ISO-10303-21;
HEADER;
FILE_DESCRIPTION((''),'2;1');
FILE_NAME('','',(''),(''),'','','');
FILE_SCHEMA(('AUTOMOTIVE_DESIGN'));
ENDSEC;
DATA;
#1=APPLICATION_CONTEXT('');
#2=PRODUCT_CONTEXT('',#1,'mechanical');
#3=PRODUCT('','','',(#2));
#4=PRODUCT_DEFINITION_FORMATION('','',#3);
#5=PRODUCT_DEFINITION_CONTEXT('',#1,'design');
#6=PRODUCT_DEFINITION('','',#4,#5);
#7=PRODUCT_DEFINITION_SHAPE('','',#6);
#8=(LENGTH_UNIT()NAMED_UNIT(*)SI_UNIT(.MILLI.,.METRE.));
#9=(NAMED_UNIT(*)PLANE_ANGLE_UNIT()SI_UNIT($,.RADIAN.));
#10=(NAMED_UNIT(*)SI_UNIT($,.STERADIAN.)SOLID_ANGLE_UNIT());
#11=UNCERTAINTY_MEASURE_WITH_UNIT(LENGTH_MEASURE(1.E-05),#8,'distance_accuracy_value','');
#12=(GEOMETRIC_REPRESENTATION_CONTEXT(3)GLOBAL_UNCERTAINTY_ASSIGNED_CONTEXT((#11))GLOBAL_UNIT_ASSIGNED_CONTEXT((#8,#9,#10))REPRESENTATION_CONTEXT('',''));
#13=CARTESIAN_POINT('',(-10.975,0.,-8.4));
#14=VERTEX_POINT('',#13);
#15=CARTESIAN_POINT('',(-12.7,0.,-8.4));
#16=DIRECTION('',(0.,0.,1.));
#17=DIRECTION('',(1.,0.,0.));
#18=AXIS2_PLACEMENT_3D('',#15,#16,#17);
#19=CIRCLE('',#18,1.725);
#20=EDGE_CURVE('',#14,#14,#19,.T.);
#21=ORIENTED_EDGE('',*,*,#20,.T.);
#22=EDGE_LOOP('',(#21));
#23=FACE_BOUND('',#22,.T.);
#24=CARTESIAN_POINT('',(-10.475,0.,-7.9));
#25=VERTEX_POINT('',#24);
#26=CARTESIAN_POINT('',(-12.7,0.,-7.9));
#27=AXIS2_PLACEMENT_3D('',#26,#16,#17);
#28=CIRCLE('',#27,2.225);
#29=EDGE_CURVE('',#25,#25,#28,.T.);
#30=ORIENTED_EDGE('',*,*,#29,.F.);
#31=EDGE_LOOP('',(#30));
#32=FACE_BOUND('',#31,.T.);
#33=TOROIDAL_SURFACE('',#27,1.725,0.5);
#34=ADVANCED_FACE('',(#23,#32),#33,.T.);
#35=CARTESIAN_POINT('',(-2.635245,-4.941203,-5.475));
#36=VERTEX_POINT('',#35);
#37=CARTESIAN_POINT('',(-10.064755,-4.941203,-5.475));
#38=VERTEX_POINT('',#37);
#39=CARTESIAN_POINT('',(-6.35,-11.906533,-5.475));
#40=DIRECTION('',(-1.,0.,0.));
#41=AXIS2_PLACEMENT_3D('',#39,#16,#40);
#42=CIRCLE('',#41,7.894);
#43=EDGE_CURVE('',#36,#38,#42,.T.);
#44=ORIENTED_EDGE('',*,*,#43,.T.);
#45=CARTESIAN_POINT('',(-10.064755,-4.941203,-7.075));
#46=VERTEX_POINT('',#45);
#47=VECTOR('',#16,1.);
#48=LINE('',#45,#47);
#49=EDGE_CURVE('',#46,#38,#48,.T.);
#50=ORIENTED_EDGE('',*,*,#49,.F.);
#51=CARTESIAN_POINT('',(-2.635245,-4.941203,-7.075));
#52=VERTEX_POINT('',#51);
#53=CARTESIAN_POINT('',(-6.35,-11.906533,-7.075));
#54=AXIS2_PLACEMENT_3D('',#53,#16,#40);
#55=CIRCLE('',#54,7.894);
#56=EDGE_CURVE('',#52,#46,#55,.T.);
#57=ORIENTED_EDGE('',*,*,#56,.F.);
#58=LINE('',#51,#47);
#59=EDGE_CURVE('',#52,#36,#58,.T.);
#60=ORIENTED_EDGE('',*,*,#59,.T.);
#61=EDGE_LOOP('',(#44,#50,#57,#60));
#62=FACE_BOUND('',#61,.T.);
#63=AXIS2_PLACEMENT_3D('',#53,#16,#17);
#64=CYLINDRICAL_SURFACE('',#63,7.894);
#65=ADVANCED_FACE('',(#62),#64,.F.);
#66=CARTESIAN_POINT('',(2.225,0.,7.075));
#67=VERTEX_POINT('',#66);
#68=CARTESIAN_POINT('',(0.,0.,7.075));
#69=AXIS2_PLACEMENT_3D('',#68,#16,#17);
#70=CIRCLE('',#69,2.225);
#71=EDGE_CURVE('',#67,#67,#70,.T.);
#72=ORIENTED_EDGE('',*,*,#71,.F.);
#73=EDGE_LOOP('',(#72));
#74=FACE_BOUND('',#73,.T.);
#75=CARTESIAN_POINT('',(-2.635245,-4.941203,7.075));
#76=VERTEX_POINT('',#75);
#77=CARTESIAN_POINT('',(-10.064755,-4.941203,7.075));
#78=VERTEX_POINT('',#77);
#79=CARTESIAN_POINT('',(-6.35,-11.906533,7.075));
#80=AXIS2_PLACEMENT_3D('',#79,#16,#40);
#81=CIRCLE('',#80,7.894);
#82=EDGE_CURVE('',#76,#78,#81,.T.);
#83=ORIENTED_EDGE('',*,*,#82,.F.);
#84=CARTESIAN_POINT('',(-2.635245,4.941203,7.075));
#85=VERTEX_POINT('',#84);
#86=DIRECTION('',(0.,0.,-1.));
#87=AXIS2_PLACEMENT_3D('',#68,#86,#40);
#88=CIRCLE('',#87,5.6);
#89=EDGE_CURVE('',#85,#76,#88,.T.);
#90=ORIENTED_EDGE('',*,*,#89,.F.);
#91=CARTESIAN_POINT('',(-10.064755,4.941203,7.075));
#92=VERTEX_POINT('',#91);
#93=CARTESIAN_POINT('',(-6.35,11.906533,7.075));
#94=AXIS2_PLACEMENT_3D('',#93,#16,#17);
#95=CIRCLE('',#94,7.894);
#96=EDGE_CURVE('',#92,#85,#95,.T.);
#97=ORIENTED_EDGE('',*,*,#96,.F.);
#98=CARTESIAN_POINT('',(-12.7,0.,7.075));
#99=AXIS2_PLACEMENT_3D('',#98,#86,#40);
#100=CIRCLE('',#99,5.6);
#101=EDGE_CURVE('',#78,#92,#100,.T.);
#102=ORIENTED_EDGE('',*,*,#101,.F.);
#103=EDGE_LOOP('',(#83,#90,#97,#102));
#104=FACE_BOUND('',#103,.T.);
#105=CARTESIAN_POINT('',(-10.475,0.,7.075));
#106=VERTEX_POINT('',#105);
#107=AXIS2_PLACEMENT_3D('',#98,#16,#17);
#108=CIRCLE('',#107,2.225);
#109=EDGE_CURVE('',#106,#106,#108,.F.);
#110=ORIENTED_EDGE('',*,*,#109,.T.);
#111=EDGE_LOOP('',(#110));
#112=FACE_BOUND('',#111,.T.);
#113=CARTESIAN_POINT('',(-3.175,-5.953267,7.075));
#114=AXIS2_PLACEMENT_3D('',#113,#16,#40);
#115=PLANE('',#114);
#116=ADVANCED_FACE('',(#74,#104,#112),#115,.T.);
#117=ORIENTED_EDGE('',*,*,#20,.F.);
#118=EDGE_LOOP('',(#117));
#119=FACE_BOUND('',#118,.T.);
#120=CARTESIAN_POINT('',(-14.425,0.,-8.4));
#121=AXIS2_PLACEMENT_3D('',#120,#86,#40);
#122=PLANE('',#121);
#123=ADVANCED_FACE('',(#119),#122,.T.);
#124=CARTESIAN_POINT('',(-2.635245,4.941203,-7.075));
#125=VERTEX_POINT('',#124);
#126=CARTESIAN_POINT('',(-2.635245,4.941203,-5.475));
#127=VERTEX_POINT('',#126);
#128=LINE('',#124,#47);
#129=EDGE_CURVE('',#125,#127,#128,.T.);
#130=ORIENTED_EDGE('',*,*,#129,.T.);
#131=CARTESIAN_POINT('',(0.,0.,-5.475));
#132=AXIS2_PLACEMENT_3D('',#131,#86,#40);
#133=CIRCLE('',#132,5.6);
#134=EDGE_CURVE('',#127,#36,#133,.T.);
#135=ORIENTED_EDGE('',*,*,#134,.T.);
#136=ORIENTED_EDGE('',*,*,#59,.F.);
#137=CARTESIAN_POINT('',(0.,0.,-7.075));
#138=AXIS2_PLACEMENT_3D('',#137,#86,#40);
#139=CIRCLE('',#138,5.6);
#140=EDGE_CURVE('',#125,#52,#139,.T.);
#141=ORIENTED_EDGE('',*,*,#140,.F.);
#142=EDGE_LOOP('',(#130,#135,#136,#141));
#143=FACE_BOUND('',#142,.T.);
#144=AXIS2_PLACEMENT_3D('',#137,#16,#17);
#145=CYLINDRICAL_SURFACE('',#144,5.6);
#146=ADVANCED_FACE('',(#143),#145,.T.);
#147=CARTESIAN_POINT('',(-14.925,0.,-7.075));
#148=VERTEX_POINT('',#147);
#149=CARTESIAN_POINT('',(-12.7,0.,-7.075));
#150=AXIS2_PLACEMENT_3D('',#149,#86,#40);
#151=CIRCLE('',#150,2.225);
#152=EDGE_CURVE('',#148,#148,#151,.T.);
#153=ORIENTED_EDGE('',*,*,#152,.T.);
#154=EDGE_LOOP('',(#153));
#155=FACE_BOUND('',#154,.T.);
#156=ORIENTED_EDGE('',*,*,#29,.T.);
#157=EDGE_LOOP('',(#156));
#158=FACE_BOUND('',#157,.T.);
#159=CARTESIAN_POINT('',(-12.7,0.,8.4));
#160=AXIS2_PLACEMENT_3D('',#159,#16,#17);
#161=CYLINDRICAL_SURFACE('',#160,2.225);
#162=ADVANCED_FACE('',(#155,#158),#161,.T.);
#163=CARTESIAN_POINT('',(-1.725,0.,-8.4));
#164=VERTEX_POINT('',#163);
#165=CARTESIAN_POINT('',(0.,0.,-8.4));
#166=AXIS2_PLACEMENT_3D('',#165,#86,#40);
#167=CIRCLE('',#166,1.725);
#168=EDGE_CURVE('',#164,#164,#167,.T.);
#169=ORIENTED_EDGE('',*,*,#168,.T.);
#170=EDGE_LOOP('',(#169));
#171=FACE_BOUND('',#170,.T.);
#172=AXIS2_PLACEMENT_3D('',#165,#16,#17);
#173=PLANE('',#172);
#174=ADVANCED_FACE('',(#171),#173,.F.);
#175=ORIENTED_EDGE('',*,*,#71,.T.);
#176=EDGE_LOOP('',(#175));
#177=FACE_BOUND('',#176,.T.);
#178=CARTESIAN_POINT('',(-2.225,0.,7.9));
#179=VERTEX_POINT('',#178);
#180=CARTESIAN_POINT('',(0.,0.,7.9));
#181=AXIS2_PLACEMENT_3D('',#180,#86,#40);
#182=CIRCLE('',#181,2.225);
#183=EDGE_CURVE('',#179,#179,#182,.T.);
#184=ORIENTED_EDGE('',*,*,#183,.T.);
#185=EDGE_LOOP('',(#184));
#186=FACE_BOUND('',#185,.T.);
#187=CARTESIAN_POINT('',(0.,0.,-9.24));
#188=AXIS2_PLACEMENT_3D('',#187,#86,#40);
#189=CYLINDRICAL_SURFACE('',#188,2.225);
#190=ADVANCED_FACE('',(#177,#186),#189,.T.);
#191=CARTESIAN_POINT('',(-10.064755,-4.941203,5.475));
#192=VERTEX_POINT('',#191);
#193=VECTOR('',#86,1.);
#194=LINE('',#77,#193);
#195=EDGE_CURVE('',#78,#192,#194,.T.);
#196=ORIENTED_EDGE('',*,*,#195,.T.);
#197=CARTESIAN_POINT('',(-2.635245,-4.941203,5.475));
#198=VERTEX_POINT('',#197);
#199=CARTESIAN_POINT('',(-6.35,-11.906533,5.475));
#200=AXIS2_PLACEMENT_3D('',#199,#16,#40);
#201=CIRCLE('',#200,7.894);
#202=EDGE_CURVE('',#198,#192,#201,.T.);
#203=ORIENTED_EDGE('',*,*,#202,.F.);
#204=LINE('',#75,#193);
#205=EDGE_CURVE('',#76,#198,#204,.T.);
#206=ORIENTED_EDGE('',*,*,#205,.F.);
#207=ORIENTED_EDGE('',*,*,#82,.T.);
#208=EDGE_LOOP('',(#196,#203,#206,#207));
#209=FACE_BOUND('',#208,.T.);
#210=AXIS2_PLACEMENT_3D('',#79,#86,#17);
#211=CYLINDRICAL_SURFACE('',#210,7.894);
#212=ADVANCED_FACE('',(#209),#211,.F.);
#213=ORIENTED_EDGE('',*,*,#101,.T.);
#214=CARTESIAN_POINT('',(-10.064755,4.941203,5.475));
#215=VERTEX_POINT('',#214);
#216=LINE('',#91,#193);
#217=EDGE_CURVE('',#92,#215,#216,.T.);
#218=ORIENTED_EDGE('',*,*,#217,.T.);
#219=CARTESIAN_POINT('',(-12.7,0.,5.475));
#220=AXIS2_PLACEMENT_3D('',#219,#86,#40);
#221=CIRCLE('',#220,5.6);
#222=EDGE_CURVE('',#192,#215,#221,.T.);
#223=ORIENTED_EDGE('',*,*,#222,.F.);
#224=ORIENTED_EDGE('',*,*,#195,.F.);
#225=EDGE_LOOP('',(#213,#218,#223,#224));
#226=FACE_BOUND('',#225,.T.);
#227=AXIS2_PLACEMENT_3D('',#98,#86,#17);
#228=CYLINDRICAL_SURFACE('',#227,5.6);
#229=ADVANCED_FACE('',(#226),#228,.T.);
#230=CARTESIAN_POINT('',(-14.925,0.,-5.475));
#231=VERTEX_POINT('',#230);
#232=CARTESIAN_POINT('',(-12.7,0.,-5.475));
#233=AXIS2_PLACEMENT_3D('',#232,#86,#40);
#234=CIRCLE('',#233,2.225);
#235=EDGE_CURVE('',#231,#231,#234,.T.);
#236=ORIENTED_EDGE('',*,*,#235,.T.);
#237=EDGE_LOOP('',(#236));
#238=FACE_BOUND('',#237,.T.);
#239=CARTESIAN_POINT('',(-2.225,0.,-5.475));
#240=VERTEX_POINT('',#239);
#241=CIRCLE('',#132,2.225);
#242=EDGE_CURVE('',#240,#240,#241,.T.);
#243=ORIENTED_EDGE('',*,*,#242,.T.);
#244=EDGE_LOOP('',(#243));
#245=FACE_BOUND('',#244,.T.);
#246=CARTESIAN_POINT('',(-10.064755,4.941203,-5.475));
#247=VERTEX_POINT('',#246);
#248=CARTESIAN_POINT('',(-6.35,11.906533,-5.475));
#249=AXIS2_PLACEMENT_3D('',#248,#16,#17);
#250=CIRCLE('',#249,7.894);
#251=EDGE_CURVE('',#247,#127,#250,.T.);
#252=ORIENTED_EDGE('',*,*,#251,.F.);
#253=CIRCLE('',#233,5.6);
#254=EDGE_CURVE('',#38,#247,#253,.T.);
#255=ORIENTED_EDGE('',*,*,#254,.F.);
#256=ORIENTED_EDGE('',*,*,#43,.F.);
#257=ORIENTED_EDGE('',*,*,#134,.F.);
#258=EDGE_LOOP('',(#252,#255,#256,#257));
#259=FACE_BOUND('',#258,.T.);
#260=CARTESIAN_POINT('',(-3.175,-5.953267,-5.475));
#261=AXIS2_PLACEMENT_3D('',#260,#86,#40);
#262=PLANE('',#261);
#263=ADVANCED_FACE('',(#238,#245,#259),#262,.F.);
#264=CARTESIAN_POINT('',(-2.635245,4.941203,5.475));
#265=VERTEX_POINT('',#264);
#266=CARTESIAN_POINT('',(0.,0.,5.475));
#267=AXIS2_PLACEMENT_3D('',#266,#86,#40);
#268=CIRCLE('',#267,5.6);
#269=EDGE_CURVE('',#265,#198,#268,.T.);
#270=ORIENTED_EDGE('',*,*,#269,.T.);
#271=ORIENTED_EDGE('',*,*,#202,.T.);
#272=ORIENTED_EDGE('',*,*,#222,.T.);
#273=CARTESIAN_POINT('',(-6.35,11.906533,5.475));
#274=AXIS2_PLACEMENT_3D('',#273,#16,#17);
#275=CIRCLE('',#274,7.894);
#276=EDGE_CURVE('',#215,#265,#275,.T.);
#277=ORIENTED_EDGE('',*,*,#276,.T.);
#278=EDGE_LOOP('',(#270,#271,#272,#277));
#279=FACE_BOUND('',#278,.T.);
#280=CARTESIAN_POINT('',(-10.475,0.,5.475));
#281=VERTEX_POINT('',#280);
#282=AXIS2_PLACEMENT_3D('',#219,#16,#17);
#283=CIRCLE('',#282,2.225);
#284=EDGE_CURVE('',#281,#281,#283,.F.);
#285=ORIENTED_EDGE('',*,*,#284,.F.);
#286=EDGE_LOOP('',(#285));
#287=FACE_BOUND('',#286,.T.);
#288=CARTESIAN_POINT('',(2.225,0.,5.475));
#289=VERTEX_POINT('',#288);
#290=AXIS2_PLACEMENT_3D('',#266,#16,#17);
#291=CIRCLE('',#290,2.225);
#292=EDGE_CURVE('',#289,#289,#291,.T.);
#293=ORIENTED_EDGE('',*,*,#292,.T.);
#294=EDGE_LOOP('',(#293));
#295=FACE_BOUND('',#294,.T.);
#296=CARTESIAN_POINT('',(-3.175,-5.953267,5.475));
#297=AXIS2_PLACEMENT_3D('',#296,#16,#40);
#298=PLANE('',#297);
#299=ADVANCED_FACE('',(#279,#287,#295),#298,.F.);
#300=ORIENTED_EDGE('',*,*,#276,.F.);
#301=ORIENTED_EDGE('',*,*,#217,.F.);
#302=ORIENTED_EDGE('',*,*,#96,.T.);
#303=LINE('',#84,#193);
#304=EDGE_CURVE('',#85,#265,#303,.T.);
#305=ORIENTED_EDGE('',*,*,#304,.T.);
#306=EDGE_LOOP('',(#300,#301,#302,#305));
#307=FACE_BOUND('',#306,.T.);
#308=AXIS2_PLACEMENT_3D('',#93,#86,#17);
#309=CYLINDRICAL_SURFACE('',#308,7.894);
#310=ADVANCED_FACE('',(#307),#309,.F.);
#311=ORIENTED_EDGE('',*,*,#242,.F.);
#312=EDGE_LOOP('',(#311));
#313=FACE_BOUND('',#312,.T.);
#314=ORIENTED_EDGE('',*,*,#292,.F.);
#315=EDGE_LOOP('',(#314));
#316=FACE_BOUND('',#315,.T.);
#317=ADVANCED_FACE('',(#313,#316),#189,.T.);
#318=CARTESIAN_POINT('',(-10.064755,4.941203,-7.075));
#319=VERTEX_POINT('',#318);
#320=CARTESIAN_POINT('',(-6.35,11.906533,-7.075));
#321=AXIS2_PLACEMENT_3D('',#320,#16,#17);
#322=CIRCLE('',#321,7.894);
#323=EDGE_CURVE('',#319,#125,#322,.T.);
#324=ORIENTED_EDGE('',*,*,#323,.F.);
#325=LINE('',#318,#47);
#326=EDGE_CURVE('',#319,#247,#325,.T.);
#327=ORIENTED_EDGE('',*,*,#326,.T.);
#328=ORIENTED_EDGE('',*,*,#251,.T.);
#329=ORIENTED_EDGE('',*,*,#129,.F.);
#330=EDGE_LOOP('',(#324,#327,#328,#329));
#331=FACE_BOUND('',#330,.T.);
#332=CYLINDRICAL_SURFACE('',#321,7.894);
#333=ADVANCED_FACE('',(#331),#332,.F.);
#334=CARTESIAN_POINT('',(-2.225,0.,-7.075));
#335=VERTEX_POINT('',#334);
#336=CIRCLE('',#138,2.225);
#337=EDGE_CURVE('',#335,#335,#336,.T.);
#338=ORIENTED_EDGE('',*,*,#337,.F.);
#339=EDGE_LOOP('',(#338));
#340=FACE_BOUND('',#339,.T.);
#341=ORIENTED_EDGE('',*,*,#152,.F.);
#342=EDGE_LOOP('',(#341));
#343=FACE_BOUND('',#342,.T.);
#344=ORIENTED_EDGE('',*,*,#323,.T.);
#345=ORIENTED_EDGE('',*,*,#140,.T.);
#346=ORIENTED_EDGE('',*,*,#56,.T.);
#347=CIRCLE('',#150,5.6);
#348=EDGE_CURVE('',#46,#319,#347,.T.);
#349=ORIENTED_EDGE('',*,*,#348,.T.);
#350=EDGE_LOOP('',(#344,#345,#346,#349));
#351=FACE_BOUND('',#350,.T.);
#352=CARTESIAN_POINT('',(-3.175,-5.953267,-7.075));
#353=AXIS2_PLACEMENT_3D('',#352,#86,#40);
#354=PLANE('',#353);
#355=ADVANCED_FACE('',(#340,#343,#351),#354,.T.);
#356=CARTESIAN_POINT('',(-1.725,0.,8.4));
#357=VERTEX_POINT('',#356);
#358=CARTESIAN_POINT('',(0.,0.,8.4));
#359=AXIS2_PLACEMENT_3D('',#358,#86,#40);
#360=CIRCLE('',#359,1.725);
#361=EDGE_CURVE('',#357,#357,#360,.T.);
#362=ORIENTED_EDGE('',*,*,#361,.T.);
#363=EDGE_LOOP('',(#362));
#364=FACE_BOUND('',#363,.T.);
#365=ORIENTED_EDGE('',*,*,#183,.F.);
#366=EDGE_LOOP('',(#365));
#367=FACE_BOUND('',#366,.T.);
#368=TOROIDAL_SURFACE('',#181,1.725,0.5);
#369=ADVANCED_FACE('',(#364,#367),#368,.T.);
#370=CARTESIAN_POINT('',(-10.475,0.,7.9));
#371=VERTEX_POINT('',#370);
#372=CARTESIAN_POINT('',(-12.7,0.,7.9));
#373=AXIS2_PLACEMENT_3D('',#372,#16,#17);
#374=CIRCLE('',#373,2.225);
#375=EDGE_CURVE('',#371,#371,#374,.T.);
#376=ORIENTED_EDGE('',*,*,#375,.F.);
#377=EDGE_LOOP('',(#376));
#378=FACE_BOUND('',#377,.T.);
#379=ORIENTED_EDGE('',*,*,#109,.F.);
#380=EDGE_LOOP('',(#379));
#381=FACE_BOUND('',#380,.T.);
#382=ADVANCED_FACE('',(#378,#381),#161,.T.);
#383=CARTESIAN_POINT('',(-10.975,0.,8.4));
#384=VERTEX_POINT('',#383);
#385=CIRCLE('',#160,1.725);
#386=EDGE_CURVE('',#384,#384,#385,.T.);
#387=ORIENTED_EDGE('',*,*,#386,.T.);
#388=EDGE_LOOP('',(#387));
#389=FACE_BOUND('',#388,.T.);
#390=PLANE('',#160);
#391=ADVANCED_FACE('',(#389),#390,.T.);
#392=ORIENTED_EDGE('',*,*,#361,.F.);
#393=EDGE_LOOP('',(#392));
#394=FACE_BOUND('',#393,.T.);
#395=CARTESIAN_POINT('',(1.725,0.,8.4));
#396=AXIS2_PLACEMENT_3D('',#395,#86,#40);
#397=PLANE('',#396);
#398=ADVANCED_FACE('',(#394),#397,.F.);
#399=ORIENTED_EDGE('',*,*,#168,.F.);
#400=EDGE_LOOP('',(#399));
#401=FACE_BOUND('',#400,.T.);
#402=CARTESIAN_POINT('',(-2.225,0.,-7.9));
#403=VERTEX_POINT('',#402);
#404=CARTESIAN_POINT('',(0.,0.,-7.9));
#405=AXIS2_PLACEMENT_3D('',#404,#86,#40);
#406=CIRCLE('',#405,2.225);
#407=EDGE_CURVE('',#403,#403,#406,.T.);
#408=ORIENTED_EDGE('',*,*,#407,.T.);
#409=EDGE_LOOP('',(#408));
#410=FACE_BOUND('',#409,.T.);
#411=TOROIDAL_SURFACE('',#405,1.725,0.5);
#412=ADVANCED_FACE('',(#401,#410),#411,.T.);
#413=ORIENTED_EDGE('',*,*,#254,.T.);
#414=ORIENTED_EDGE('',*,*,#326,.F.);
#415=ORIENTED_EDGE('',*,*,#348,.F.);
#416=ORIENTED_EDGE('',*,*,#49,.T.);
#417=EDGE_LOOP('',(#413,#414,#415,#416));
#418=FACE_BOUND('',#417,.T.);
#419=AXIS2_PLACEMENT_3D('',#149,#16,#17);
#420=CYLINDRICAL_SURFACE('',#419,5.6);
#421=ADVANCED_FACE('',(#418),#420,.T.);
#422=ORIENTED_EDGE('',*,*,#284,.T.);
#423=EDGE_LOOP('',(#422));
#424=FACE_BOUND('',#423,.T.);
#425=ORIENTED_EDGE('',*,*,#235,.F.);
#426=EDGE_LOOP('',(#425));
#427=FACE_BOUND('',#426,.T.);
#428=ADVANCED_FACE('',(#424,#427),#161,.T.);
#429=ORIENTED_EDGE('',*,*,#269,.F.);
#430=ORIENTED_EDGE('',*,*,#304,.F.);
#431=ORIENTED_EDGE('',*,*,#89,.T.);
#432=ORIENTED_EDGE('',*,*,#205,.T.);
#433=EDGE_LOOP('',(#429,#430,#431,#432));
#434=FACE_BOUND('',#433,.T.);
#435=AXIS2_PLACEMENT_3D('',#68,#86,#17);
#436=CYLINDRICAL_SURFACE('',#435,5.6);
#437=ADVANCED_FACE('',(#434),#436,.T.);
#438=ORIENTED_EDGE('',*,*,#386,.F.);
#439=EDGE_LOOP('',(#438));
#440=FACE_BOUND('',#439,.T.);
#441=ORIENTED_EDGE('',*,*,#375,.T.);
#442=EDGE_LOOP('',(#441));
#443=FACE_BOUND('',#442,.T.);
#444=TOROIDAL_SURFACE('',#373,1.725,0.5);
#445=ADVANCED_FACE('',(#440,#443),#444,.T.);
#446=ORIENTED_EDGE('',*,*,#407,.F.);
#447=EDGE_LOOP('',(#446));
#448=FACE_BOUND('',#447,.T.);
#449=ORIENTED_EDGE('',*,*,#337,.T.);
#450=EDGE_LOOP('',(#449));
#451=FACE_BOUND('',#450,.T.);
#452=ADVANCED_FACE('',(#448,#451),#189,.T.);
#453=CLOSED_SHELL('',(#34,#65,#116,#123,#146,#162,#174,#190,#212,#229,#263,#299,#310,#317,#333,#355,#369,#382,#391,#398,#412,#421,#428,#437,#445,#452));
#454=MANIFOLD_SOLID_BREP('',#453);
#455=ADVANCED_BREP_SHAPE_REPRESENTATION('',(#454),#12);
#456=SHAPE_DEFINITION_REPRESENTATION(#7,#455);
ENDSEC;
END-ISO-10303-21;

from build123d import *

# Parameters (mm, degrees)
SKETCH3_R           = 2.225
BOSS_EXTRUDE1_DEPTH = 1.6


with BuildPart() as part:
    # Sketch1 → Revolve1 (revolve)
    with BuildSketch(Plane(origin=(0, 0, 0), x_dir=(1, 0, 0), z_dir=(0, 1, 0))):
        with BuildLine():
            Line((0, -8.4), (0, 8.4))
            Line((0, 8.4), (1.725, 8.4))
            ThreePointArc((1.725, 8.4), (2.078553391, 8.253553391), (2.225, 7.9))
            Line((2.225, 7.9), (2.225, -7.9))
            ThreePointArc((2.225, -7.9), (2.078553391, -8.253553391), (1.725, -8.4))
            Line((1.725, -8.4), (0, -8.4))
        make_face()
    revolve(axis=Axis((0, 0, -9.24), (0, 0, 1)))



with BuildPart() as body_2:
    # Sketch2 → Revolve2 (revolve)
    with BuildSketch(Plane.XZ):
        with BuildLine():
            Line((-12.7, 8.4), (-14.425, 8.4))
            ThreePointArc((-14.425, 8.4), (-14.778553391, 8.253553391), (-14.925, 7.9))
            Line((-14.925, 7.9), (-14.925, -7.9))
            ThreePointArc((-14.925, -7.9), (-14.778553391, -8.253553391), (-14.425, -8.4))
            Line((-14.425, -8.4), (-12.7, -8.4))
            Line((-12.7, -8.4), (-12.7, 8.4))
        make_face()
    revolve(axis=Axis((-12.7, 0, 8.4), (0, 0, -1)))


with BuildPart() as part_1:
    add(part.part)

    add(body_2.part)  # Boss-Extrude1 merges body 2
    # Sketch3 → Boss-Extrude1 (add)
    with BuildSketch(Plane(origin=(0, 0, -5.475), x_dir=(0, -1, 0), z_dir=(0, 0, -1))):
        with BuildLine():
            ThreePointArc((-4.941202509, 2.635245294), (0, -5.6), (4.941202509, 2.635245294))
            ThreePointArc((4.941202509, 2.635245294), (4.012533333, 6.35), (4.941202509, 10.064754706))
            ThreePointArc((4.941202509, 10.064754706), (0, 18.3), (-4.941202509, 10.064754706))
            ThreePointArc((-4.941202509, 10.064754706), (-4.012533333, 6.35), (-4.941202509, 2.635245294))
        make_face()
        Circle(SKETCH3_R, mode=Mode.SUBTRACT)
        with Locations((0, 12.7)):
            Circle(SKETCH3_R, mode=Mode.SUBTRACT)
    boss_extrude1 = extrude(amount=BOSS_EXTRUDE1_DEPTH)

    # Mirror1: Boss-Extrude1 across plane
    add(boss_extrude1.mirror(Plane.XY))


solid = part_1.part
